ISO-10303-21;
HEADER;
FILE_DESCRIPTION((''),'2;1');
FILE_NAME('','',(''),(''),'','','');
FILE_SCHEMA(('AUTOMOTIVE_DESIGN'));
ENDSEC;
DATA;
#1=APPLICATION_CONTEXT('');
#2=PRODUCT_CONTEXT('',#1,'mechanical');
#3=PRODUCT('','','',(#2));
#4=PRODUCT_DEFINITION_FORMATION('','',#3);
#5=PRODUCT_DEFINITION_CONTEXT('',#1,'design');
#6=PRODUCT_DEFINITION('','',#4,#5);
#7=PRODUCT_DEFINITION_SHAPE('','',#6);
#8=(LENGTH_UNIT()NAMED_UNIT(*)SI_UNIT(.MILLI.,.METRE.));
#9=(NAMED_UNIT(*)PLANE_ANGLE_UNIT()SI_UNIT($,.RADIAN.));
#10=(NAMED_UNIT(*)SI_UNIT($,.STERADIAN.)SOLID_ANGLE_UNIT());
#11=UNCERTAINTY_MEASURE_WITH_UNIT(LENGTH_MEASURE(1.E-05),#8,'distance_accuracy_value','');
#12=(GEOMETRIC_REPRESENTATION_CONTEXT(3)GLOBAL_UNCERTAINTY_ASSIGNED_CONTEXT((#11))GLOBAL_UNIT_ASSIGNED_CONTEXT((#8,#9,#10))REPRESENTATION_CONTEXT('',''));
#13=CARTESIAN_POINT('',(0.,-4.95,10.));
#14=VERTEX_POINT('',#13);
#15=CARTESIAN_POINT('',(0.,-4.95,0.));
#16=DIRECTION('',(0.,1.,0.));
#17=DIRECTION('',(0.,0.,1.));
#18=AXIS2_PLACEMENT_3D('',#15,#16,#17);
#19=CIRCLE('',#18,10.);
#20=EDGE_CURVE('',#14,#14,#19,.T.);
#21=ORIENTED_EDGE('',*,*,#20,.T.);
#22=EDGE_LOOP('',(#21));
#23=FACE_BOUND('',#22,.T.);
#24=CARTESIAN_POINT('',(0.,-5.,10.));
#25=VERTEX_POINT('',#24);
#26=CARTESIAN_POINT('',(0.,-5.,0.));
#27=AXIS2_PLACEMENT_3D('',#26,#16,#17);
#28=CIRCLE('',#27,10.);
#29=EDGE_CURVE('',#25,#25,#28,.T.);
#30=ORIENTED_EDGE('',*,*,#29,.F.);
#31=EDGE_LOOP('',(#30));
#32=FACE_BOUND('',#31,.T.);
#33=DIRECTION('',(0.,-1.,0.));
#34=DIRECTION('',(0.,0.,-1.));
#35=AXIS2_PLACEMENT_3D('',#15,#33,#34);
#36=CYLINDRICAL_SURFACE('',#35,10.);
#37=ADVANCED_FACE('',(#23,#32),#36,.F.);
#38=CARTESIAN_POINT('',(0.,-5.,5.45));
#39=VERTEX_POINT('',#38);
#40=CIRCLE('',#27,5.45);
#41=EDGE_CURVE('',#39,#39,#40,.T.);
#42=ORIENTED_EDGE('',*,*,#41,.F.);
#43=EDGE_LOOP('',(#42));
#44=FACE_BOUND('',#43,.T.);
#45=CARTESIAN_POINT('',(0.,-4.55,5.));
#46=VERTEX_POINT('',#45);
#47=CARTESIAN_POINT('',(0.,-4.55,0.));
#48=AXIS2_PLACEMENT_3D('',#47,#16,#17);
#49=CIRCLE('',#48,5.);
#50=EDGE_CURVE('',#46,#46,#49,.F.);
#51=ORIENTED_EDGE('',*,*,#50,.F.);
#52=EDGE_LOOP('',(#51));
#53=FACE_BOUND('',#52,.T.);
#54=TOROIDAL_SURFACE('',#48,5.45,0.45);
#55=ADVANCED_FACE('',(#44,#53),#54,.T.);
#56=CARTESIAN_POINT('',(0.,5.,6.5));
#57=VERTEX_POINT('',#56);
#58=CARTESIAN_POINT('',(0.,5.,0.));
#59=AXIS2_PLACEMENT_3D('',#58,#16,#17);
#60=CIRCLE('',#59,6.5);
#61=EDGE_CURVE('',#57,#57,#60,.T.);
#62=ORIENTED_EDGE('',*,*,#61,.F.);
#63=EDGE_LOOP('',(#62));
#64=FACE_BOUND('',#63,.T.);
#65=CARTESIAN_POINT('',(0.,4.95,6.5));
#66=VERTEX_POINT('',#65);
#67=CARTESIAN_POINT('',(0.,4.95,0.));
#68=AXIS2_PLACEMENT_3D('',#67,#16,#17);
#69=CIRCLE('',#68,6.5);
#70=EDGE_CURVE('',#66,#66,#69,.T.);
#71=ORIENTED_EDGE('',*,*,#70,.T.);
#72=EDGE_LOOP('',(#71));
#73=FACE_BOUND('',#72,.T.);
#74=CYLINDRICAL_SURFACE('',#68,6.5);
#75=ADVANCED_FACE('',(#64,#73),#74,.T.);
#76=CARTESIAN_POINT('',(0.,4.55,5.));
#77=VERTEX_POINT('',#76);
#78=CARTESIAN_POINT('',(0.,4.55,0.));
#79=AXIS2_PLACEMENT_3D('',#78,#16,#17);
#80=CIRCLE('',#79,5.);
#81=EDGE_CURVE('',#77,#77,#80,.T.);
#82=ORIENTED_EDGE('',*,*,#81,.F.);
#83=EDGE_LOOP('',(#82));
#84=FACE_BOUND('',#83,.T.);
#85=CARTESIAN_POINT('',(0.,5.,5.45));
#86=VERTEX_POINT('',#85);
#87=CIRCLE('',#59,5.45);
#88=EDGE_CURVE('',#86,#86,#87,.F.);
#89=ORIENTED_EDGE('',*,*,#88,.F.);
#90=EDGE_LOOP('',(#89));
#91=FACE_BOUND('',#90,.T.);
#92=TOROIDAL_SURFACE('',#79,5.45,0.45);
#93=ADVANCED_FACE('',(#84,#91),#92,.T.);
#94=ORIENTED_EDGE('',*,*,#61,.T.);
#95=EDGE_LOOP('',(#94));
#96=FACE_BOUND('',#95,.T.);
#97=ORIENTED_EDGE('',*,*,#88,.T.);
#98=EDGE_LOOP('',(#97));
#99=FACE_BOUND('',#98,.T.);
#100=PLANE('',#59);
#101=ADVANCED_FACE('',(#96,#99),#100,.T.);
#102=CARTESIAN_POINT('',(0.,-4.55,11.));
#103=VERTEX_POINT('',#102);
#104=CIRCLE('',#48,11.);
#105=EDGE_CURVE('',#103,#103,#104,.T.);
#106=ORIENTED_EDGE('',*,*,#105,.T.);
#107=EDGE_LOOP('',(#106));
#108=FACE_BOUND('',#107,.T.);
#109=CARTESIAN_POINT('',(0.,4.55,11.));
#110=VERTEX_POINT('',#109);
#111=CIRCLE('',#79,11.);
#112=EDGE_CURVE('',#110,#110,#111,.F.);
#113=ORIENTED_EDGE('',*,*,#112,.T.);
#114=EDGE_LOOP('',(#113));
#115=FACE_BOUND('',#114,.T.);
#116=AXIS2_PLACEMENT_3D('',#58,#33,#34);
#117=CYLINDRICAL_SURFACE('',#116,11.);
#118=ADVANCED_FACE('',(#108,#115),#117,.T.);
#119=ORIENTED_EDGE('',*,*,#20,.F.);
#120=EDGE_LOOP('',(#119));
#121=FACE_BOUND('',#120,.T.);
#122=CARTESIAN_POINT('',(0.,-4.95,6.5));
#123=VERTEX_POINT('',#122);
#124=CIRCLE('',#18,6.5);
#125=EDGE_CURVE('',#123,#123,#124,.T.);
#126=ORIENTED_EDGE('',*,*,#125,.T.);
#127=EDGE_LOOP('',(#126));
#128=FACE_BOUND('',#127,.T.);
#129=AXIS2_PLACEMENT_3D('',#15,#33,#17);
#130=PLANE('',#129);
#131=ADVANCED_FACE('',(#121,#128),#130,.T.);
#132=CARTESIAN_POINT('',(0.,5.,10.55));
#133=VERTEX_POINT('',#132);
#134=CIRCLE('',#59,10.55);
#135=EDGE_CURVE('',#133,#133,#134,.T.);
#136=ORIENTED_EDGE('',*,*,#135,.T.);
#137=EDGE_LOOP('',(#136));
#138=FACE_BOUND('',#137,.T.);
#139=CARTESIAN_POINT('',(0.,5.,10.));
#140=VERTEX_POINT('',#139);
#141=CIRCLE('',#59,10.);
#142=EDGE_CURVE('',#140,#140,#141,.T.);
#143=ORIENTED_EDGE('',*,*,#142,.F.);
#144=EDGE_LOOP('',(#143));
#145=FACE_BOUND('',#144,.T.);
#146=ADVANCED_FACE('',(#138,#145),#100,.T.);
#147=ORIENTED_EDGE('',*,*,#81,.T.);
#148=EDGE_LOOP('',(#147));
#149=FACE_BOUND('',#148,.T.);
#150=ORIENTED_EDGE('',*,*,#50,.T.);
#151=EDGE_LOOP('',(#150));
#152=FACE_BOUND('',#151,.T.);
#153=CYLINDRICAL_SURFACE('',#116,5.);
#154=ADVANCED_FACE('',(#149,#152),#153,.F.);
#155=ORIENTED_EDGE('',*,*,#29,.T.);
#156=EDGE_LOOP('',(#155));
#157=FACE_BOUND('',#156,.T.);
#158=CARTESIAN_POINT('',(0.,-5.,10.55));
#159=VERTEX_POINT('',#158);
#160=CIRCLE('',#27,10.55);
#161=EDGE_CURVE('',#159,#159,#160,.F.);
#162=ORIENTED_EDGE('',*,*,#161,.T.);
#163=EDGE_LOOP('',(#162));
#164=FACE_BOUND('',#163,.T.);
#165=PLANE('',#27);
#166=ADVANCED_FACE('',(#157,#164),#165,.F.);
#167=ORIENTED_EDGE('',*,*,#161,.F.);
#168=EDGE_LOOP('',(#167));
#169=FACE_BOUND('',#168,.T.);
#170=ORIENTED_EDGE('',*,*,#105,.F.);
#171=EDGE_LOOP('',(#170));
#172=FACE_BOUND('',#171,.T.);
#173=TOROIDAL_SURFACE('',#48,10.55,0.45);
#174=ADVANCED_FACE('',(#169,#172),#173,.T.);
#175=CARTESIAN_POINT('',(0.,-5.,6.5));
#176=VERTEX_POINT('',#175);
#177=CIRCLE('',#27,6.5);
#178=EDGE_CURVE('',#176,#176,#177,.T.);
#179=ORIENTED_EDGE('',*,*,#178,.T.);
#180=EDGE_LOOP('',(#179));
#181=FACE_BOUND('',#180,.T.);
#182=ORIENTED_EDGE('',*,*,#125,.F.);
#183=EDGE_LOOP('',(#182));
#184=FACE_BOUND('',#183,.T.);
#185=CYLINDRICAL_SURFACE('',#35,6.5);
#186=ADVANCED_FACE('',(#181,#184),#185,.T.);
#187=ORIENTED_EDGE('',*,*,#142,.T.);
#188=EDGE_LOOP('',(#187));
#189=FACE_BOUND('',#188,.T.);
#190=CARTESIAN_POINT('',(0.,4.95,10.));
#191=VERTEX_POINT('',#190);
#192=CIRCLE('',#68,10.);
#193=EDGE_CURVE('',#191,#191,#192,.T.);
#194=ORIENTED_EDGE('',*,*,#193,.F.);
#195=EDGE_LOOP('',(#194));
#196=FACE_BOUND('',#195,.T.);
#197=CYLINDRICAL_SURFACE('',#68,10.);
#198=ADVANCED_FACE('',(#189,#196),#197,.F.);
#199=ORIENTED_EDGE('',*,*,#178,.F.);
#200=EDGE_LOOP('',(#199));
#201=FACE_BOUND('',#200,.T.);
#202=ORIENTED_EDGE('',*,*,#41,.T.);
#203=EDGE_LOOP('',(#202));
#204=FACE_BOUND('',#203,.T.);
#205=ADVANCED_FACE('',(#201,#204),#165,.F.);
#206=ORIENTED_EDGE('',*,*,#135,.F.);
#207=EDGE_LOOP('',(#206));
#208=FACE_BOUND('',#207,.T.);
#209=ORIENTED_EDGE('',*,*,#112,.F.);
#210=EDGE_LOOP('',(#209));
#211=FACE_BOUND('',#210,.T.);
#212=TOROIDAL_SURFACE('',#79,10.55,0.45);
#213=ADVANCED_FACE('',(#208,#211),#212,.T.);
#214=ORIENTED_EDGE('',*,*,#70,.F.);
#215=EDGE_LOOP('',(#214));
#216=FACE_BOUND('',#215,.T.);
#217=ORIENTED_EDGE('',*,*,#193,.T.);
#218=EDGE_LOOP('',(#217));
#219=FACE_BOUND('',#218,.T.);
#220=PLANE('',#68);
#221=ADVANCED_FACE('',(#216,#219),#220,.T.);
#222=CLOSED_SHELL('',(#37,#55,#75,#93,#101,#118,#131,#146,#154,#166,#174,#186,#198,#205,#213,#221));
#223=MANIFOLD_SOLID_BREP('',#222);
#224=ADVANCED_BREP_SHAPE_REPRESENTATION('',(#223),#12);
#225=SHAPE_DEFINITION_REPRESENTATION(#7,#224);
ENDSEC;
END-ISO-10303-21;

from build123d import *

# Parameters (mm, degrees)
SKETCH1_R           = 11
SKETCH1_R_2         = 5
BOSS_EXTRUDE1_DEPTH = 5
SKETCH2_R           = 10
SKETCH2_R_2         = 6.5
CUT_EXTRUDE1_DEPTH  = 0.05
FILLET1_R           = 0.45


with BuildPart() as part:
    # Sketch1 → Boss-Extrude1 (new, symmetric)
    with BuildSketch(Plane(origin=(0, 0, 0), x_dir=(1, 0, 0), z_dir=(0, 1, 0))):
        Circle(SKETCH1_R)
        Circle(SKETCH1_R_2, mode=Mode.SUBTRACT)
    extrude(amount=BOSS_EXTRUDE1_DEPTH, both=True)

    # Sketch2 → Cut-Extrude1 (cut)
    with BuildSketch(Plane(origin=(0, 5, 0), x_dir=(1, 0, 0), z_dir=(0, 1, 0))):
        Circle(SKETCH2_R)
        Circle(SKETCH2_R_2, mode=Mode.SUBTRACT)
    cut_extrude1 = extrude(amount=-CUT_EXTRUDE1_DEPTH, mode=Mode.SUBTRACT)

    # Mirror1: Cut-Extrude1 across plane
    add(cut_extrude1.mirror(Plane.ZX), mode=Mode.SUBTRACT)

    # Fillet1
    fillet1_edges = [part.edges().sort_by_distance(p)[0] for p in [
        (-11, -5, 0),
        (-5, -5, 0),
        (-5, 5, 0),
        (-11, 5, 0),
    ]]
    fillet(fillet1_edges, radius=FILLET1_R)


solid = part.part
